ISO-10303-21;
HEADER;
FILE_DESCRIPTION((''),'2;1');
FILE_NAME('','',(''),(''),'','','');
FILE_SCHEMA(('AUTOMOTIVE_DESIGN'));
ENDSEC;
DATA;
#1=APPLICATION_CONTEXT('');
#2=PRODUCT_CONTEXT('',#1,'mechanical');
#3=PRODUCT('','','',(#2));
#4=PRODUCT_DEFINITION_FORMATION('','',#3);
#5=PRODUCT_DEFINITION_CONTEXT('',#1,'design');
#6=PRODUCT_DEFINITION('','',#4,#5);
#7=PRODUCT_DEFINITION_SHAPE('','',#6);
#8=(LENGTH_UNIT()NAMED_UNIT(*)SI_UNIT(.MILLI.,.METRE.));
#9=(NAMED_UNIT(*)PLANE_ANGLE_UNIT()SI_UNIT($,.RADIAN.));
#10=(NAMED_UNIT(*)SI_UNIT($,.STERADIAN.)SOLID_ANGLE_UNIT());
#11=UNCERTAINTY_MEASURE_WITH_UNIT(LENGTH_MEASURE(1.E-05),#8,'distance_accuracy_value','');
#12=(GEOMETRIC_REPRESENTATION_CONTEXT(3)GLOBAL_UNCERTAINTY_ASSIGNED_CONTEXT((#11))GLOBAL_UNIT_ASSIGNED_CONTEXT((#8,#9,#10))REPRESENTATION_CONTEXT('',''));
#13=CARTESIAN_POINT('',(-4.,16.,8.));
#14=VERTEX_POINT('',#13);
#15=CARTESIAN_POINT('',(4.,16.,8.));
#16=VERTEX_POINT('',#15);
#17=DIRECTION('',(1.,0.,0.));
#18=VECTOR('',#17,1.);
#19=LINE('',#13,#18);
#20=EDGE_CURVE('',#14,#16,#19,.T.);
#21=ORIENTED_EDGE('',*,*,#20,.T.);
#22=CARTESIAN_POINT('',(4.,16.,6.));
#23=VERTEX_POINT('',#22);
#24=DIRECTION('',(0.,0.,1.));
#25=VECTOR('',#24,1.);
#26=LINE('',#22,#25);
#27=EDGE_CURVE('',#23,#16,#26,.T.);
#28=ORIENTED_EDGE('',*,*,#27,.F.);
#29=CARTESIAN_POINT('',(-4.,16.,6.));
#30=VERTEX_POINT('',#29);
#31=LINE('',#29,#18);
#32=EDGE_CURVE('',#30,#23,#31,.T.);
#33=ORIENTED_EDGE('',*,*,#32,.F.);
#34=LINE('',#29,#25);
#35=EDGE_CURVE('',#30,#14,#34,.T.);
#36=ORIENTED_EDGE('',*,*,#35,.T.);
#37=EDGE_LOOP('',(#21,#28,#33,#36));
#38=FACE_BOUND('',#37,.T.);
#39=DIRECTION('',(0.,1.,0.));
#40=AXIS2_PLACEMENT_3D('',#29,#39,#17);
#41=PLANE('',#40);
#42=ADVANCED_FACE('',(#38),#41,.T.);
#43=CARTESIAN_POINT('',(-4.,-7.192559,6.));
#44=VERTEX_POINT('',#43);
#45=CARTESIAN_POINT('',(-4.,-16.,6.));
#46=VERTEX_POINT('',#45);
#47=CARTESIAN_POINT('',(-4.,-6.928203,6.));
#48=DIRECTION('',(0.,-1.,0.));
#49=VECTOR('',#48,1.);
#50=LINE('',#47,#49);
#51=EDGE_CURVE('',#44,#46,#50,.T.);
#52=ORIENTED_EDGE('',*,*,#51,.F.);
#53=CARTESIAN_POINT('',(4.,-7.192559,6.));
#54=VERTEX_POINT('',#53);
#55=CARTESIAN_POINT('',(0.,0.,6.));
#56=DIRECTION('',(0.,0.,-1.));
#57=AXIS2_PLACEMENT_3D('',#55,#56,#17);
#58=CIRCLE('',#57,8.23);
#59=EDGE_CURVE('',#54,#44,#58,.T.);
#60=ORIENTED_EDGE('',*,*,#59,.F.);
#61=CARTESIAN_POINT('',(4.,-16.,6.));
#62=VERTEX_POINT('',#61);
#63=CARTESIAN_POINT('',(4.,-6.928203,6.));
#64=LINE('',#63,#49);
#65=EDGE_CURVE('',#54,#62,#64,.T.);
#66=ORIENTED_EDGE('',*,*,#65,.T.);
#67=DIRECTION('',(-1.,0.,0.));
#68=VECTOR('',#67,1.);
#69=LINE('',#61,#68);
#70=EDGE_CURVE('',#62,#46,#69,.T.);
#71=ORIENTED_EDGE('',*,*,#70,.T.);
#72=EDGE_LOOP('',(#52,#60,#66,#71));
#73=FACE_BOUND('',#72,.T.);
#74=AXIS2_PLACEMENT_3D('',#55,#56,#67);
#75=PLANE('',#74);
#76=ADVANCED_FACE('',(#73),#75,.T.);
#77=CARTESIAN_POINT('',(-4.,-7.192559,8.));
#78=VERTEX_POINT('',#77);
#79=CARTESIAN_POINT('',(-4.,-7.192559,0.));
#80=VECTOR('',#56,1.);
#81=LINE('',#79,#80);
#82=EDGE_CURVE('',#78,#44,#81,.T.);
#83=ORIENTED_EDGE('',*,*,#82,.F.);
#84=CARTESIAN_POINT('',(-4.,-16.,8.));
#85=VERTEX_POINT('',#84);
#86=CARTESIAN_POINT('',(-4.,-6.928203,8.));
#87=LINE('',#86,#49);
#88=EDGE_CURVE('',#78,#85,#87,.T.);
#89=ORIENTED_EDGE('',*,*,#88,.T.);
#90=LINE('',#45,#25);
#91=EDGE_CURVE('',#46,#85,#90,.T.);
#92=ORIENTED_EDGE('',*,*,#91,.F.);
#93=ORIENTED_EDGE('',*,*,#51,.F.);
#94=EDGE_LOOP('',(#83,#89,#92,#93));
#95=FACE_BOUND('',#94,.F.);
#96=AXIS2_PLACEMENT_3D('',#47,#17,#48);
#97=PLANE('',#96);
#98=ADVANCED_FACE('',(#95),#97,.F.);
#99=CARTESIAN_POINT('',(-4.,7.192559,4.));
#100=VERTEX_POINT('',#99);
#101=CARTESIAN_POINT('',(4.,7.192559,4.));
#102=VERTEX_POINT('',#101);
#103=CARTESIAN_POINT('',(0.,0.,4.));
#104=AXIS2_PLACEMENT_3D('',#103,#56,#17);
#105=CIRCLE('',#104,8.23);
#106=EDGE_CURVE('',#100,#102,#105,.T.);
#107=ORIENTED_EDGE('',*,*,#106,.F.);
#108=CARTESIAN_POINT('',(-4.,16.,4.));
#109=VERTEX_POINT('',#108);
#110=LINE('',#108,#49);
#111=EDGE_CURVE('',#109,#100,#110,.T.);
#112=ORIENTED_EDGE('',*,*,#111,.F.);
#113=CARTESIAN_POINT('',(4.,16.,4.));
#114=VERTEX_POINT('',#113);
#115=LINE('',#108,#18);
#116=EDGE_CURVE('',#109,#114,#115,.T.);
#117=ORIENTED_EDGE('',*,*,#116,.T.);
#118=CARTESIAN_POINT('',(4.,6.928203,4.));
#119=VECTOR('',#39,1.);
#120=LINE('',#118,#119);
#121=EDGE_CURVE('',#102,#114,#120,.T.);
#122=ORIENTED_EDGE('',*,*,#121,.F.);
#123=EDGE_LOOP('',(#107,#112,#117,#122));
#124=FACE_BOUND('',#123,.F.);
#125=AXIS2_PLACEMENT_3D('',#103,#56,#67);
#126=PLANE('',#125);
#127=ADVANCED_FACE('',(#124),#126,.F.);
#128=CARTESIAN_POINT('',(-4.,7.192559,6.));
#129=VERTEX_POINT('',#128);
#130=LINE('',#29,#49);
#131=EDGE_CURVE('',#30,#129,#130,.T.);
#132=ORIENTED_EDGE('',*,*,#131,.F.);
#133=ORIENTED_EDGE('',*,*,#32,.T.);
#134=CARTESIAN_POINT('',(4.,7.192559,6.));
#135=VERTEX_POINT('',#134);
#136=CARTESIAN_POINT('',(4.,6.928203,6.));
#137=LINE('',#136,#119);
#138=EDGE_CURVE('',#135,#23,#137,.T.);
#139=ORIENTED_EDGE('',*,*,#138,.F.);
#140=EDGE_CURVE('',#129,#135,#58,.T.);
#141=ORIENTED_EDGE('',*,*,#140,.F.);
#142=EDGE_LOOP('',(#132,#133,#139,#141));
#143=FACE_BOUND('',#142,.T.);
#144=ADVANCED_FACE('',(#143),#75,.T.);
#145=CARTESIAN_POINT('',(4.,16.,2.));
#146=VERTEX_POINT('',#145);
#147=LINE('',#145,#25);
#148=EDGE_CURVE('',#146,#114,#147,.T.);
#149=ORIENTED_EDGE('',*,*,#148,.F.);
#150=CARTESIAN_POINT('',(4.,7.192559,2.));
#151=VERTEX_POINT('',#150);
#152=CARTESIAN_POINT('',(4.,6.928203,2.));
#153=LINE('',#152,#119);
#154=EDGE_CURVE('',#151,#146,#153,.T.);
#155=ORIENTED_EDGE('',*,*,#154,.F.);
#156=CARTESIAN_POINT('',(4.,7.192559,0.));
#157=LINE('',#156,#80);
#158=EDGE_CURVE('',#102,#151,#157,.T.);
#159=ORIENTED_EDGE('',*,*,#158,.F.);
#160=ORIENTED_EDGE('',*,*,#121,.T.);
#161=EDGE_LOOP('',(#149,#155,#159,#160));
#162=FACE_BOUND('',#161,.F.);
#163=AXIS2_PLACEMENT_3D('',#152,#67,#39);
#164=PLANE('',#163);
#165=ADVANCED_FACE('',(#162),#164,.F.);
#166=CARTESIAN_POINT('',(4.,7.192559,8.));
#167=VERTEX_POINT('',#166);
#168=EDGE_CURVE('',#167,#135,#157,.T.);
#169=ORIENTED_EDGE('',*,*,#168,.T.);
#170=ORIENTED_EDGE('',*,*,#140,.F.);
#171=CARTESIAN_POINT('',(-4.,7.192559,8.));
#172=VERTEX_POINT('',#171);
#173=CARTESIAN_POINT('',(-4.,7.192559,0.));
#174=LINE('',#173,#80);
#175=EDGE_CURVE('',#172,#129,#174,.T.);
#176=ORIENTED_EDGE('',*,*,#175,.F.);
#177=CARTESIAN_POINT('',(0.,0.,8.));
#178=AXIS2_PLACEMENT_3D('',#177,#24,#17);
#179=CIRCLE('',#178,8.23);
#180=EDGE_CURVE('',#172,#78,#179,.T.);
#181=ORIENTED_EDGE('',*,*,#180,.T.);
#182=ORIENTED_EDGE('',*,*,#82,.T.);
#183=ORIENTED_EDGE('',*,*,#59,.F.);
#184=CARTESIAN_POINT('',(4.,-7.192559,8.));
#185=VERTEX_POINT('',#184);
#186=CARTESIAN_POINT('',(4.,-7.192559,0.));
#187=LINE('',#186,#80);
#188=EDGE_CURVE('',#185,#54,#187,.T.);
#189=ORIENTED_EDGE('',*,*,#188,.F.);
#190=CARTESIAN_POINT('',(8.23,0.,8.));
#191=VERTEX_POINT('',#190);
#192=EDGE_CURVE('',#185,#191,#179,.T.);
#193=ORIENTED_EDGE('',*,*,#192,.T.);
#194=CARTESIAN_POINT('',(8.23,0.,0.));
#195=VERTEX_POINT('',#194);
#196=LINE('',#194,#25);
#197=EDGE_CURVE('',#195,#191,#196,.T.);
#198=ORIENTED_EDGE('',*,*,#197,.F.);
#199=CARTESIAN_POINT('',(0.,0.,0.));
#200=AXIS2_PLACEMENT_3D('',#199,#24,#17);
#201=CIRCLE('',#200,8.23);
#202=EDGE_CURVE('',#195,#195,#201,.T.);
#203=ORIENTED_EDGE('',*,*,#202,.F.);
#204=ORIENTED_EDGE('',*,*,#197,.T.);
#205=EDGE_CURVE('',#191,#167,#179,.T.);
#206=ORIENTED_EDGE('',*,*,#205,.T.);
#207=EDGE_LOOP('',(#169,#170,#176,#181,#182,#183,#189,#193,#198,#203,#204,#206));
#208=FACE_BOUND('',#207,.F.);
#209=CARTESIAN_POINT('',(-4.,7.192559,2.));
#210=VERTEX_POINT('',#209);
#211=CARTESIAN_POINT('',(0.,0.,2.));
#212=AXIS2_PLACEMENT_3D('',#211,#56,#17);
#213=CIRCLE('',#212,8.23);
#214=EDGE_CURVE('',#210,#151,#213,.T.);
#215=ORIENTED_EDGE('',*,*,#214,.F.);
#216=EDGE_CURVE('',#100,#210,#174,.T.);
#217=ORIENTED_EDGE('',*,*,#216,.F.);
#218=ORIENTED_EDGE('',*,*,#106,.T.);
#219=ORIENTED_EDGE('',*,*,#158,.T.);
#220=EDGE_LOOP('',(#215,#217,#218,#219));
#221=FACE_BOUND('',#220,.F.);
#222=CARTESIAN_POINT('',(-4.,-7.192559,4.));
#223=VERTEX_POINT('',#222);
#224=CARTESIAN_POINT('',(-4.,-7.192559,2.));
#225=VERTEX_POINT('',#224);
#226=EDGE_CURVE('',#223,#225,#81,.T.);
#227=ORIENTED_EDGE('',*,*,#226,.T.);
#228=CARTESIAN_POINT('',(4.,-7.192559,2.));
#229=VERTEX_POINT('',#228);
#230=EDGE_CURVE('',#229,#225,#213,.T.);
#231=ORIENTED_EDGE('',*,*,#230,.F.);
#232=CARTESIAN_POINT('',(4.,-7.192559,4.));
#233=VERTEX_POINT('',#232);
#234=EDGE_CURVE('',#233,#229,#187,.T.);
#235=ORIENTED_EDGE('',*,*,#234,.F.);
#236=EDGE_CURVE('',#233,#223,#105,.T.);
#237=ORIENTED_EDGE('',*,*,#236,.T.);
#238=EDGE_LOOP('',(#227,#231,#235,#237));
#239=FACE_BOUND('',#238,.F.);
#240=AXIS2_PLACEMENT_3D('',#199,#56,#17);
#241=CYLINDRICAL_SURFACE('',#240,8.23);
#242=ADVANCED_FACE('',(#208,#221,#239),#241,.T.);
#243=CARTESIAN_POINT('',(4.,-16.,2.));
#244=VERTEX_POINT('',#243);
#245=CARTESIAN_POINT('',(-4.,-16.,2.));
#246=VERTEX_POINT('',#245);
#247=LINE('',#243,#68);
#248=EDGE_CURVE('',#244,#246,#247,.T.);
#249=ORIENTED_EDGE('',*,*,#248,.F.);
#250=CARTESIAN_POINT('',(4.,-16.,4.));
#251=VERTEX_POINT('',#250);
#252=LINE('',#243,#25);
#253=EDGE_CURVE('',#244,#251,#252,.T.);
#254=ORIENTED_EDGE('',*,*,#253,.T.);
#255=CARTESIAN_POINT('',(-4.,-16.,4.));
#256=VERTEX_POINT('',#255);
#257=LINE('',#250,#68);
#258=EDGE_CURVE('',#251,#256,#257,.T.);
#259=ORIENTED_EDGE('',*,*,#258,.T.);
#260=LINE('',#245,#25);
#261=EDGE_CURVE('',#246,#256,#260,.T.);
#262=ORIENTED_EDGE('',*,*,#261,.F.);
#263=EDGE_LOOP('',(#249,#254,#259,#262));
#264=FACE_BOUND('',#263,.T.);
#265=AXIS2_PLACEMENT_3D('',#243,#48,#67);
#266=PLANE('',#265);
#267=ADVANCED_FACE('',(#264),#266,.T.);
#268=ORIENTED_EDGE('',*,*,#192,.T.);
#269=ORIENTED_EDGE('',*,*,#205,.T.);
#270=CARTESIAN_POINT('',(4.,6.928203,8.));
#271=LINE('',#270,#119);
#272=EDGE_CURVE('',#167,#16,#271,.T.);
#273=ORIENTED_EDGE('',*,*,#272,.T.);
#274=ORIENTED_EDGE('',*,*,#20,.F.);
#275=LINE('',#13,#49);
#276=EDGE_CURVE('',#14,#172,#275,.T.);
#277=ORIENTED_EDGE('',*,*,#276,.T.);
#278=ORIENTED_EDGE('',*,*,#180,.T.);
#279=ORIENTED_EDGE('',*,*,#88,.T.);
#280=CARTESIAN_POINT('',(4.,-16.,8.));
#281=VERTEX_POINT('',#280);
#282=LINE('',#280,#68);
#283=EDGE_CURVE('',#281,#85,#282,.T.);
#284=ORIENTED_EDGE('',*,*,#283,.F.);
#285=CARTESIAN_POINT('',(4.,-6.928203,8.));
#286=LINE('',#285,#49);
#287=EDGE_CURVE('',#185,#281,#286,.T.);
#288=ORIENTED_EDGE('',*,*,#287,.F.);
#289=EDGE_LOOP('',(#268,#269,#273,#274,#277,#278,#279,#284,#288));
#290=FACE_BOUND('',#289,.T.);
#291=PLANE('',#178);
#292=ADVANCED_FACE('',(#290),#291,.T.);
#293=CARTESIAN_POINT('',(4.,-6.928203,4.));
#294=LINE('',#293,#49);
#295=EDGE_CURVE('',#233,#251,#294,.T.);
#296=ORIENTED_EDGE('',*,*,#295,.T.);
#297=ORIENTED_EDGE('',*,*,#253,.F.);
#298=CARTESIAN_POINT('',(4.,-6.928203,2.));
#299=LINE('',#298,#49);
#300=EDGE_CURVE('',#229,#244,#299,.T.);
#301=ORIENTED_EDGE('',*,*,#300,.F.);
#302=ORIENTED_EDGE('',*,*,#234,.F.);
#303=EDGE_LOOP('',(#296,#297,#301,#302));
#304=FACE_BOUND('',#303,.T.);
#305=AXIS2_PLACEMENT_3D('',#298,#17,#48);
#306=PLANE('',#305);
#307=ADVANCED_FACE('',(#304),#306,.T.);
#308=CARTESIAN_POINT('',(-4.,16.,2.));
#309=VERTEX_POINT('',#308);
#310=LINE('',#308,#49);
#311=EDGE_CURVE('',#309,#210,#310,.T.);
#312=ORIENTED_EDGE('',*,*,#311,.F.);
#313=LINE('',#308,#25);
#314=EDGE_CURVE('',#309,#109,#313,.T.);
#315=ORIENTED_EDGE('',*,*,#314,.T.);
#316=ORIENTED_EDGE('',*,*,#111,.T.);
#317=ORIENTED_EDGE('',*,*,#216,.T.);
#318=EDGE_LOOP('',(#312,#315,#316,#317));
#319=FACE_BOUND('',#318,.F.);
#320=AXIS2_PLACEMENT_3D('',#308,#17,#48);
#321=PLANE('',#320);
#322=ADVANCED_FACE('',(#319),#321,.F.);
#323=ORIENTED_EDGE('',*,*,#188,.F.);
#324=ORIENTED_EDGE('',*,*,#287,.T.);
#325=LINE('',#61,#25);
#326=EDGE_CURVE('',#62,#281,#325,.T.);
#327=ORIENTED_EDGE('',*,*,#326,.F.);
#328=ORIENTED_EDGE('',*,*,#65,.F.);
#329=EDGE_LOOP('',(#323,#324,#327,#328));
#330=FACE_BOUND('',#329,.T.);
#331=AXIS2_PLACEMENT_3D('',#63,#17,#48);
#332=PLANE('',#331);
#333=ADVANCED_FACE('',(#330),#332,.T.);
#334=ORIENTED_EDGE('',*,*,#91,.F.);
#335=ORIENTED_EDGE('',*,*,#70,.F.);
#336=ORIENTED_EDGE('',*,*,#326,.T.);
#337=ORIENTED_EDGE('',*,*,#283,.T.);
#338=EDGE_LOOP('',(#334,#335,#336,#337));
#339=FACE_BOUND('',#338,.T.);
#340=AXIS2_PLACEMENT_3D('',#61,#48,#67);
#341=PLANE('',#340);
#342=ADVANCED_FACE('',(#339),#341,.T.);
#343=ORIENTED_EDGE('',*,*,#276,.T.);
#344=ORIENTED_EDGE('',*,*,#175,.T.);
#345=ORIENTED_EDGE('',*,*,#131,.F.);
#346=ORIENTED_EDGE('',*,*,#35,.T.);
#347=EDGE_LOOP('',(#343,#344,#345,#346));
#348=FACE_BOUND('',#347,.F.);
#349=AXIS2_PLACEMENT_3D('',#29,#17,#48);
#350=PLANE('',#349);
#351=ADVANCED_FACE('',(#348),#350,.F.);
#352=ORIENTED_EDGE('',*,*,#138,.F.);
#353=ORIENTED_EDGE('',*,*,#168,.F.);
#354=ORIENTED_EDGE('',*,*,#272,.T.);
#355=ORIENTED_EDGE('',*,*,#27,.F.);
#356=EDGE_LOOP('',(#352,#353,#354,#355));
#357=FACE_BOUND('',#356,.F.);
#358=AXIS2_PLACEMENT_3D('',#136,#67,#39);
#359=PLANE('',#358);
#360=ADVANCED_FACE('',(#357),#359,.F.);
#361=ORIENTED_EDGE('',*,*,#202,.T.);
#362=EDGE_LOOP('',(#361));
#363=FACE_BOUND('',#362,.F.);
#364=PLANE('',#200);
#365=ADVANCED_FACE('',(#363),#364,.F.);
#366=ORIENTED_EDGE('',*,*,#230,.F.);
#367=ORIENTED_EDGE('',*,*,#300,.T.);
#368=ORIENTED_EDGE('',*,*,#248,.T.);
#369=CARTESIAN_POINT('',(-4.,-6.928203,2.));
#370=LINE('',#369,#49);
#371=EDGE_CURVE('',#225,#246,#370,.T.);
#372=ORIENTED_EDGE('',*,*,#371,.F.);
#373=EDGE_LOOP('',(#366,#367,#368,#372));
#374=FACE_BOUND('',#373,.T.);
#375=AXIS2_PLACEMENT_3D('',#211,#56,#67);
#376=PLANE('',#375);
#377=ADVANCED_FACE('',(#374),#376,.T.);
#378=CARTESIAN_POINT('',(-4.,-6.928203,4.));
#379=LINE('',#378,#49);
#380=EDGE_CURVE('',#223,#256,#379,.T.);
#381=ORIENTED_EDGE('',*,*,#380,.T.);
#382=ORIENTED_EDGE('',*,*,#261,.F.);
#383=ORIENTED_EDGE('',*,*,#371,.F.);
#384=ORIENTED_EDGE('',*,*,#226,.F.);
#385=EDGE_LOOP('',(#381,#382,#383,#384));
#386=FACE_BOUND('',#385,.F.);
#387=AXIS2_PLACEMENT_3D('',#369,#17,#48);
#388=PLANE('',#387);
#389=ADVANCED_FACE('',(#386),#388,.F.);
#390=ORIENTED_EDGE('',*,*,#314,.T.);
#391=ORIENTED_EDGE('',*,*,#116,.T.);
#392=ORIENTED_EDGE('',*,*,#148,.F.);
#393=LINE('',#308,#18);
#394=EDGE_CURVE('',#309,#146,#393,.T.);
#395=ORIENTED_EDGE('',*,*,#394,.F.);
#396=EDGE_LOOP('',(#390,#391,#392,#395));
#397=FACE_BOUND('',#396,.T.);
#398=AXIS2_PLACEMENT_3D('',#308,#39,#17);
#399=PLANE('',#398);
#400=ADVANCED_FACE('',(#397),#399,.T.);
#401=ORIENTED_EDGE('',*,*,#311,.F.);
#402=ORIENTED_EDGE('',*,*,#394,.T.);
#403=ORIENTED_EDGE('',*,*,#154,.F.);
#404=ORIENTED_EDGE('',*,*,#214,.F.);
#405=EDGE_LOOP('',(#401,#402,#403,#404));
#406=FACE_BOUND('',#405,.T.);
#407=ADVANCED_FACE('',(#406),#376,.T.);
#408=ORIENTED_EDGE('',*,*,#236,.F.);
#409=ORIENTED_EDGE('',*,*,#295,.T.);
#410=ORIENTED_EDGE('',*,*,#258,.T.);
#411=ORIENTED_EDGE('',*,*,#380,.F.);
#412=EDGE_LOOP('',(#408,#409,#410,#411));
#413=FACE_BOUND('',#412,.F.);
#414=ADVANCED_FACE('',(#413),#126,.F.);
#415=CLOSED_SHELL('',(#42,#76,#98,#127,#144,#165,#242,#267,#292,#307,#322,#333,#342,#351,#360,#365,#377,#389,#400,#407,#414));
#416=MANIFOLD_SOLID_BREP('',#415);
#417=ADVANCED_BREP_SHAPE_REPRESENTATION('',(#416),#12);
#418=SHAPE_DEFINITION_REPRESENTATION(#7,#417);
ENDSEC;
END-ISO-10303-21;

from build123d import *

# Parameters (mm, degrees)
SKETCH004_R      = 8.23
EXTRUDE004_DEPTH = 8
EXTRUDE005_DEPTH = 2
ARRAY_Z_COUNT    = 2
ARRAY_Z_PITCH    = 4


with BuildPart() as eixo1:
    # Sketch004 → Extrude004 (new body)
    with BuildSketch(Plane.XY):
        Circle(SKETCH004_R)
    extrude(amount=EXTRUDE004_DEPTH)


with BuildPart() as eixo_maior:
    # Sketch005 (on Face8 of Extrude002) → Extrude005 (new body)
    with BuildSketch(Plane.XY.offset(2)):
        with BuildLine():
            Line((-4, 16), (4, 16))
            Line((4, 6.9282032303), (4, 16))
            ThreePointArc((4, -6.9282032303), (8, 0), (4, 6.9282032303))
            Line((4, -6.9282032303), (4, -16))
            Line((4, -16), (-4, -16))
            Line((-4, -6.9282032303), (-4, -16))
            ThreePointArc((-4, 6.9282032303), (-8, 0), (-4, -6.9282032303))
            Line((-4, 16), (-4, 6.9282032303))
        make_face()
    extrude(amount=EXTRUDE005_DEPTH)

    # Array Z: Eixo Maior ×2


with BuildPart() as eixo_maior_1:
    add(eixo_maior.part)
    with Locations(*[(0, 0, i * ARRAY_Z_PITCH) for i in range(1, ARRAY_Z_COUNT)]):
        add(eixo_maior.part)

    # Fusion001: union Eixo1
    add(eixo1.part)


solid = eixo_maior_1.part
